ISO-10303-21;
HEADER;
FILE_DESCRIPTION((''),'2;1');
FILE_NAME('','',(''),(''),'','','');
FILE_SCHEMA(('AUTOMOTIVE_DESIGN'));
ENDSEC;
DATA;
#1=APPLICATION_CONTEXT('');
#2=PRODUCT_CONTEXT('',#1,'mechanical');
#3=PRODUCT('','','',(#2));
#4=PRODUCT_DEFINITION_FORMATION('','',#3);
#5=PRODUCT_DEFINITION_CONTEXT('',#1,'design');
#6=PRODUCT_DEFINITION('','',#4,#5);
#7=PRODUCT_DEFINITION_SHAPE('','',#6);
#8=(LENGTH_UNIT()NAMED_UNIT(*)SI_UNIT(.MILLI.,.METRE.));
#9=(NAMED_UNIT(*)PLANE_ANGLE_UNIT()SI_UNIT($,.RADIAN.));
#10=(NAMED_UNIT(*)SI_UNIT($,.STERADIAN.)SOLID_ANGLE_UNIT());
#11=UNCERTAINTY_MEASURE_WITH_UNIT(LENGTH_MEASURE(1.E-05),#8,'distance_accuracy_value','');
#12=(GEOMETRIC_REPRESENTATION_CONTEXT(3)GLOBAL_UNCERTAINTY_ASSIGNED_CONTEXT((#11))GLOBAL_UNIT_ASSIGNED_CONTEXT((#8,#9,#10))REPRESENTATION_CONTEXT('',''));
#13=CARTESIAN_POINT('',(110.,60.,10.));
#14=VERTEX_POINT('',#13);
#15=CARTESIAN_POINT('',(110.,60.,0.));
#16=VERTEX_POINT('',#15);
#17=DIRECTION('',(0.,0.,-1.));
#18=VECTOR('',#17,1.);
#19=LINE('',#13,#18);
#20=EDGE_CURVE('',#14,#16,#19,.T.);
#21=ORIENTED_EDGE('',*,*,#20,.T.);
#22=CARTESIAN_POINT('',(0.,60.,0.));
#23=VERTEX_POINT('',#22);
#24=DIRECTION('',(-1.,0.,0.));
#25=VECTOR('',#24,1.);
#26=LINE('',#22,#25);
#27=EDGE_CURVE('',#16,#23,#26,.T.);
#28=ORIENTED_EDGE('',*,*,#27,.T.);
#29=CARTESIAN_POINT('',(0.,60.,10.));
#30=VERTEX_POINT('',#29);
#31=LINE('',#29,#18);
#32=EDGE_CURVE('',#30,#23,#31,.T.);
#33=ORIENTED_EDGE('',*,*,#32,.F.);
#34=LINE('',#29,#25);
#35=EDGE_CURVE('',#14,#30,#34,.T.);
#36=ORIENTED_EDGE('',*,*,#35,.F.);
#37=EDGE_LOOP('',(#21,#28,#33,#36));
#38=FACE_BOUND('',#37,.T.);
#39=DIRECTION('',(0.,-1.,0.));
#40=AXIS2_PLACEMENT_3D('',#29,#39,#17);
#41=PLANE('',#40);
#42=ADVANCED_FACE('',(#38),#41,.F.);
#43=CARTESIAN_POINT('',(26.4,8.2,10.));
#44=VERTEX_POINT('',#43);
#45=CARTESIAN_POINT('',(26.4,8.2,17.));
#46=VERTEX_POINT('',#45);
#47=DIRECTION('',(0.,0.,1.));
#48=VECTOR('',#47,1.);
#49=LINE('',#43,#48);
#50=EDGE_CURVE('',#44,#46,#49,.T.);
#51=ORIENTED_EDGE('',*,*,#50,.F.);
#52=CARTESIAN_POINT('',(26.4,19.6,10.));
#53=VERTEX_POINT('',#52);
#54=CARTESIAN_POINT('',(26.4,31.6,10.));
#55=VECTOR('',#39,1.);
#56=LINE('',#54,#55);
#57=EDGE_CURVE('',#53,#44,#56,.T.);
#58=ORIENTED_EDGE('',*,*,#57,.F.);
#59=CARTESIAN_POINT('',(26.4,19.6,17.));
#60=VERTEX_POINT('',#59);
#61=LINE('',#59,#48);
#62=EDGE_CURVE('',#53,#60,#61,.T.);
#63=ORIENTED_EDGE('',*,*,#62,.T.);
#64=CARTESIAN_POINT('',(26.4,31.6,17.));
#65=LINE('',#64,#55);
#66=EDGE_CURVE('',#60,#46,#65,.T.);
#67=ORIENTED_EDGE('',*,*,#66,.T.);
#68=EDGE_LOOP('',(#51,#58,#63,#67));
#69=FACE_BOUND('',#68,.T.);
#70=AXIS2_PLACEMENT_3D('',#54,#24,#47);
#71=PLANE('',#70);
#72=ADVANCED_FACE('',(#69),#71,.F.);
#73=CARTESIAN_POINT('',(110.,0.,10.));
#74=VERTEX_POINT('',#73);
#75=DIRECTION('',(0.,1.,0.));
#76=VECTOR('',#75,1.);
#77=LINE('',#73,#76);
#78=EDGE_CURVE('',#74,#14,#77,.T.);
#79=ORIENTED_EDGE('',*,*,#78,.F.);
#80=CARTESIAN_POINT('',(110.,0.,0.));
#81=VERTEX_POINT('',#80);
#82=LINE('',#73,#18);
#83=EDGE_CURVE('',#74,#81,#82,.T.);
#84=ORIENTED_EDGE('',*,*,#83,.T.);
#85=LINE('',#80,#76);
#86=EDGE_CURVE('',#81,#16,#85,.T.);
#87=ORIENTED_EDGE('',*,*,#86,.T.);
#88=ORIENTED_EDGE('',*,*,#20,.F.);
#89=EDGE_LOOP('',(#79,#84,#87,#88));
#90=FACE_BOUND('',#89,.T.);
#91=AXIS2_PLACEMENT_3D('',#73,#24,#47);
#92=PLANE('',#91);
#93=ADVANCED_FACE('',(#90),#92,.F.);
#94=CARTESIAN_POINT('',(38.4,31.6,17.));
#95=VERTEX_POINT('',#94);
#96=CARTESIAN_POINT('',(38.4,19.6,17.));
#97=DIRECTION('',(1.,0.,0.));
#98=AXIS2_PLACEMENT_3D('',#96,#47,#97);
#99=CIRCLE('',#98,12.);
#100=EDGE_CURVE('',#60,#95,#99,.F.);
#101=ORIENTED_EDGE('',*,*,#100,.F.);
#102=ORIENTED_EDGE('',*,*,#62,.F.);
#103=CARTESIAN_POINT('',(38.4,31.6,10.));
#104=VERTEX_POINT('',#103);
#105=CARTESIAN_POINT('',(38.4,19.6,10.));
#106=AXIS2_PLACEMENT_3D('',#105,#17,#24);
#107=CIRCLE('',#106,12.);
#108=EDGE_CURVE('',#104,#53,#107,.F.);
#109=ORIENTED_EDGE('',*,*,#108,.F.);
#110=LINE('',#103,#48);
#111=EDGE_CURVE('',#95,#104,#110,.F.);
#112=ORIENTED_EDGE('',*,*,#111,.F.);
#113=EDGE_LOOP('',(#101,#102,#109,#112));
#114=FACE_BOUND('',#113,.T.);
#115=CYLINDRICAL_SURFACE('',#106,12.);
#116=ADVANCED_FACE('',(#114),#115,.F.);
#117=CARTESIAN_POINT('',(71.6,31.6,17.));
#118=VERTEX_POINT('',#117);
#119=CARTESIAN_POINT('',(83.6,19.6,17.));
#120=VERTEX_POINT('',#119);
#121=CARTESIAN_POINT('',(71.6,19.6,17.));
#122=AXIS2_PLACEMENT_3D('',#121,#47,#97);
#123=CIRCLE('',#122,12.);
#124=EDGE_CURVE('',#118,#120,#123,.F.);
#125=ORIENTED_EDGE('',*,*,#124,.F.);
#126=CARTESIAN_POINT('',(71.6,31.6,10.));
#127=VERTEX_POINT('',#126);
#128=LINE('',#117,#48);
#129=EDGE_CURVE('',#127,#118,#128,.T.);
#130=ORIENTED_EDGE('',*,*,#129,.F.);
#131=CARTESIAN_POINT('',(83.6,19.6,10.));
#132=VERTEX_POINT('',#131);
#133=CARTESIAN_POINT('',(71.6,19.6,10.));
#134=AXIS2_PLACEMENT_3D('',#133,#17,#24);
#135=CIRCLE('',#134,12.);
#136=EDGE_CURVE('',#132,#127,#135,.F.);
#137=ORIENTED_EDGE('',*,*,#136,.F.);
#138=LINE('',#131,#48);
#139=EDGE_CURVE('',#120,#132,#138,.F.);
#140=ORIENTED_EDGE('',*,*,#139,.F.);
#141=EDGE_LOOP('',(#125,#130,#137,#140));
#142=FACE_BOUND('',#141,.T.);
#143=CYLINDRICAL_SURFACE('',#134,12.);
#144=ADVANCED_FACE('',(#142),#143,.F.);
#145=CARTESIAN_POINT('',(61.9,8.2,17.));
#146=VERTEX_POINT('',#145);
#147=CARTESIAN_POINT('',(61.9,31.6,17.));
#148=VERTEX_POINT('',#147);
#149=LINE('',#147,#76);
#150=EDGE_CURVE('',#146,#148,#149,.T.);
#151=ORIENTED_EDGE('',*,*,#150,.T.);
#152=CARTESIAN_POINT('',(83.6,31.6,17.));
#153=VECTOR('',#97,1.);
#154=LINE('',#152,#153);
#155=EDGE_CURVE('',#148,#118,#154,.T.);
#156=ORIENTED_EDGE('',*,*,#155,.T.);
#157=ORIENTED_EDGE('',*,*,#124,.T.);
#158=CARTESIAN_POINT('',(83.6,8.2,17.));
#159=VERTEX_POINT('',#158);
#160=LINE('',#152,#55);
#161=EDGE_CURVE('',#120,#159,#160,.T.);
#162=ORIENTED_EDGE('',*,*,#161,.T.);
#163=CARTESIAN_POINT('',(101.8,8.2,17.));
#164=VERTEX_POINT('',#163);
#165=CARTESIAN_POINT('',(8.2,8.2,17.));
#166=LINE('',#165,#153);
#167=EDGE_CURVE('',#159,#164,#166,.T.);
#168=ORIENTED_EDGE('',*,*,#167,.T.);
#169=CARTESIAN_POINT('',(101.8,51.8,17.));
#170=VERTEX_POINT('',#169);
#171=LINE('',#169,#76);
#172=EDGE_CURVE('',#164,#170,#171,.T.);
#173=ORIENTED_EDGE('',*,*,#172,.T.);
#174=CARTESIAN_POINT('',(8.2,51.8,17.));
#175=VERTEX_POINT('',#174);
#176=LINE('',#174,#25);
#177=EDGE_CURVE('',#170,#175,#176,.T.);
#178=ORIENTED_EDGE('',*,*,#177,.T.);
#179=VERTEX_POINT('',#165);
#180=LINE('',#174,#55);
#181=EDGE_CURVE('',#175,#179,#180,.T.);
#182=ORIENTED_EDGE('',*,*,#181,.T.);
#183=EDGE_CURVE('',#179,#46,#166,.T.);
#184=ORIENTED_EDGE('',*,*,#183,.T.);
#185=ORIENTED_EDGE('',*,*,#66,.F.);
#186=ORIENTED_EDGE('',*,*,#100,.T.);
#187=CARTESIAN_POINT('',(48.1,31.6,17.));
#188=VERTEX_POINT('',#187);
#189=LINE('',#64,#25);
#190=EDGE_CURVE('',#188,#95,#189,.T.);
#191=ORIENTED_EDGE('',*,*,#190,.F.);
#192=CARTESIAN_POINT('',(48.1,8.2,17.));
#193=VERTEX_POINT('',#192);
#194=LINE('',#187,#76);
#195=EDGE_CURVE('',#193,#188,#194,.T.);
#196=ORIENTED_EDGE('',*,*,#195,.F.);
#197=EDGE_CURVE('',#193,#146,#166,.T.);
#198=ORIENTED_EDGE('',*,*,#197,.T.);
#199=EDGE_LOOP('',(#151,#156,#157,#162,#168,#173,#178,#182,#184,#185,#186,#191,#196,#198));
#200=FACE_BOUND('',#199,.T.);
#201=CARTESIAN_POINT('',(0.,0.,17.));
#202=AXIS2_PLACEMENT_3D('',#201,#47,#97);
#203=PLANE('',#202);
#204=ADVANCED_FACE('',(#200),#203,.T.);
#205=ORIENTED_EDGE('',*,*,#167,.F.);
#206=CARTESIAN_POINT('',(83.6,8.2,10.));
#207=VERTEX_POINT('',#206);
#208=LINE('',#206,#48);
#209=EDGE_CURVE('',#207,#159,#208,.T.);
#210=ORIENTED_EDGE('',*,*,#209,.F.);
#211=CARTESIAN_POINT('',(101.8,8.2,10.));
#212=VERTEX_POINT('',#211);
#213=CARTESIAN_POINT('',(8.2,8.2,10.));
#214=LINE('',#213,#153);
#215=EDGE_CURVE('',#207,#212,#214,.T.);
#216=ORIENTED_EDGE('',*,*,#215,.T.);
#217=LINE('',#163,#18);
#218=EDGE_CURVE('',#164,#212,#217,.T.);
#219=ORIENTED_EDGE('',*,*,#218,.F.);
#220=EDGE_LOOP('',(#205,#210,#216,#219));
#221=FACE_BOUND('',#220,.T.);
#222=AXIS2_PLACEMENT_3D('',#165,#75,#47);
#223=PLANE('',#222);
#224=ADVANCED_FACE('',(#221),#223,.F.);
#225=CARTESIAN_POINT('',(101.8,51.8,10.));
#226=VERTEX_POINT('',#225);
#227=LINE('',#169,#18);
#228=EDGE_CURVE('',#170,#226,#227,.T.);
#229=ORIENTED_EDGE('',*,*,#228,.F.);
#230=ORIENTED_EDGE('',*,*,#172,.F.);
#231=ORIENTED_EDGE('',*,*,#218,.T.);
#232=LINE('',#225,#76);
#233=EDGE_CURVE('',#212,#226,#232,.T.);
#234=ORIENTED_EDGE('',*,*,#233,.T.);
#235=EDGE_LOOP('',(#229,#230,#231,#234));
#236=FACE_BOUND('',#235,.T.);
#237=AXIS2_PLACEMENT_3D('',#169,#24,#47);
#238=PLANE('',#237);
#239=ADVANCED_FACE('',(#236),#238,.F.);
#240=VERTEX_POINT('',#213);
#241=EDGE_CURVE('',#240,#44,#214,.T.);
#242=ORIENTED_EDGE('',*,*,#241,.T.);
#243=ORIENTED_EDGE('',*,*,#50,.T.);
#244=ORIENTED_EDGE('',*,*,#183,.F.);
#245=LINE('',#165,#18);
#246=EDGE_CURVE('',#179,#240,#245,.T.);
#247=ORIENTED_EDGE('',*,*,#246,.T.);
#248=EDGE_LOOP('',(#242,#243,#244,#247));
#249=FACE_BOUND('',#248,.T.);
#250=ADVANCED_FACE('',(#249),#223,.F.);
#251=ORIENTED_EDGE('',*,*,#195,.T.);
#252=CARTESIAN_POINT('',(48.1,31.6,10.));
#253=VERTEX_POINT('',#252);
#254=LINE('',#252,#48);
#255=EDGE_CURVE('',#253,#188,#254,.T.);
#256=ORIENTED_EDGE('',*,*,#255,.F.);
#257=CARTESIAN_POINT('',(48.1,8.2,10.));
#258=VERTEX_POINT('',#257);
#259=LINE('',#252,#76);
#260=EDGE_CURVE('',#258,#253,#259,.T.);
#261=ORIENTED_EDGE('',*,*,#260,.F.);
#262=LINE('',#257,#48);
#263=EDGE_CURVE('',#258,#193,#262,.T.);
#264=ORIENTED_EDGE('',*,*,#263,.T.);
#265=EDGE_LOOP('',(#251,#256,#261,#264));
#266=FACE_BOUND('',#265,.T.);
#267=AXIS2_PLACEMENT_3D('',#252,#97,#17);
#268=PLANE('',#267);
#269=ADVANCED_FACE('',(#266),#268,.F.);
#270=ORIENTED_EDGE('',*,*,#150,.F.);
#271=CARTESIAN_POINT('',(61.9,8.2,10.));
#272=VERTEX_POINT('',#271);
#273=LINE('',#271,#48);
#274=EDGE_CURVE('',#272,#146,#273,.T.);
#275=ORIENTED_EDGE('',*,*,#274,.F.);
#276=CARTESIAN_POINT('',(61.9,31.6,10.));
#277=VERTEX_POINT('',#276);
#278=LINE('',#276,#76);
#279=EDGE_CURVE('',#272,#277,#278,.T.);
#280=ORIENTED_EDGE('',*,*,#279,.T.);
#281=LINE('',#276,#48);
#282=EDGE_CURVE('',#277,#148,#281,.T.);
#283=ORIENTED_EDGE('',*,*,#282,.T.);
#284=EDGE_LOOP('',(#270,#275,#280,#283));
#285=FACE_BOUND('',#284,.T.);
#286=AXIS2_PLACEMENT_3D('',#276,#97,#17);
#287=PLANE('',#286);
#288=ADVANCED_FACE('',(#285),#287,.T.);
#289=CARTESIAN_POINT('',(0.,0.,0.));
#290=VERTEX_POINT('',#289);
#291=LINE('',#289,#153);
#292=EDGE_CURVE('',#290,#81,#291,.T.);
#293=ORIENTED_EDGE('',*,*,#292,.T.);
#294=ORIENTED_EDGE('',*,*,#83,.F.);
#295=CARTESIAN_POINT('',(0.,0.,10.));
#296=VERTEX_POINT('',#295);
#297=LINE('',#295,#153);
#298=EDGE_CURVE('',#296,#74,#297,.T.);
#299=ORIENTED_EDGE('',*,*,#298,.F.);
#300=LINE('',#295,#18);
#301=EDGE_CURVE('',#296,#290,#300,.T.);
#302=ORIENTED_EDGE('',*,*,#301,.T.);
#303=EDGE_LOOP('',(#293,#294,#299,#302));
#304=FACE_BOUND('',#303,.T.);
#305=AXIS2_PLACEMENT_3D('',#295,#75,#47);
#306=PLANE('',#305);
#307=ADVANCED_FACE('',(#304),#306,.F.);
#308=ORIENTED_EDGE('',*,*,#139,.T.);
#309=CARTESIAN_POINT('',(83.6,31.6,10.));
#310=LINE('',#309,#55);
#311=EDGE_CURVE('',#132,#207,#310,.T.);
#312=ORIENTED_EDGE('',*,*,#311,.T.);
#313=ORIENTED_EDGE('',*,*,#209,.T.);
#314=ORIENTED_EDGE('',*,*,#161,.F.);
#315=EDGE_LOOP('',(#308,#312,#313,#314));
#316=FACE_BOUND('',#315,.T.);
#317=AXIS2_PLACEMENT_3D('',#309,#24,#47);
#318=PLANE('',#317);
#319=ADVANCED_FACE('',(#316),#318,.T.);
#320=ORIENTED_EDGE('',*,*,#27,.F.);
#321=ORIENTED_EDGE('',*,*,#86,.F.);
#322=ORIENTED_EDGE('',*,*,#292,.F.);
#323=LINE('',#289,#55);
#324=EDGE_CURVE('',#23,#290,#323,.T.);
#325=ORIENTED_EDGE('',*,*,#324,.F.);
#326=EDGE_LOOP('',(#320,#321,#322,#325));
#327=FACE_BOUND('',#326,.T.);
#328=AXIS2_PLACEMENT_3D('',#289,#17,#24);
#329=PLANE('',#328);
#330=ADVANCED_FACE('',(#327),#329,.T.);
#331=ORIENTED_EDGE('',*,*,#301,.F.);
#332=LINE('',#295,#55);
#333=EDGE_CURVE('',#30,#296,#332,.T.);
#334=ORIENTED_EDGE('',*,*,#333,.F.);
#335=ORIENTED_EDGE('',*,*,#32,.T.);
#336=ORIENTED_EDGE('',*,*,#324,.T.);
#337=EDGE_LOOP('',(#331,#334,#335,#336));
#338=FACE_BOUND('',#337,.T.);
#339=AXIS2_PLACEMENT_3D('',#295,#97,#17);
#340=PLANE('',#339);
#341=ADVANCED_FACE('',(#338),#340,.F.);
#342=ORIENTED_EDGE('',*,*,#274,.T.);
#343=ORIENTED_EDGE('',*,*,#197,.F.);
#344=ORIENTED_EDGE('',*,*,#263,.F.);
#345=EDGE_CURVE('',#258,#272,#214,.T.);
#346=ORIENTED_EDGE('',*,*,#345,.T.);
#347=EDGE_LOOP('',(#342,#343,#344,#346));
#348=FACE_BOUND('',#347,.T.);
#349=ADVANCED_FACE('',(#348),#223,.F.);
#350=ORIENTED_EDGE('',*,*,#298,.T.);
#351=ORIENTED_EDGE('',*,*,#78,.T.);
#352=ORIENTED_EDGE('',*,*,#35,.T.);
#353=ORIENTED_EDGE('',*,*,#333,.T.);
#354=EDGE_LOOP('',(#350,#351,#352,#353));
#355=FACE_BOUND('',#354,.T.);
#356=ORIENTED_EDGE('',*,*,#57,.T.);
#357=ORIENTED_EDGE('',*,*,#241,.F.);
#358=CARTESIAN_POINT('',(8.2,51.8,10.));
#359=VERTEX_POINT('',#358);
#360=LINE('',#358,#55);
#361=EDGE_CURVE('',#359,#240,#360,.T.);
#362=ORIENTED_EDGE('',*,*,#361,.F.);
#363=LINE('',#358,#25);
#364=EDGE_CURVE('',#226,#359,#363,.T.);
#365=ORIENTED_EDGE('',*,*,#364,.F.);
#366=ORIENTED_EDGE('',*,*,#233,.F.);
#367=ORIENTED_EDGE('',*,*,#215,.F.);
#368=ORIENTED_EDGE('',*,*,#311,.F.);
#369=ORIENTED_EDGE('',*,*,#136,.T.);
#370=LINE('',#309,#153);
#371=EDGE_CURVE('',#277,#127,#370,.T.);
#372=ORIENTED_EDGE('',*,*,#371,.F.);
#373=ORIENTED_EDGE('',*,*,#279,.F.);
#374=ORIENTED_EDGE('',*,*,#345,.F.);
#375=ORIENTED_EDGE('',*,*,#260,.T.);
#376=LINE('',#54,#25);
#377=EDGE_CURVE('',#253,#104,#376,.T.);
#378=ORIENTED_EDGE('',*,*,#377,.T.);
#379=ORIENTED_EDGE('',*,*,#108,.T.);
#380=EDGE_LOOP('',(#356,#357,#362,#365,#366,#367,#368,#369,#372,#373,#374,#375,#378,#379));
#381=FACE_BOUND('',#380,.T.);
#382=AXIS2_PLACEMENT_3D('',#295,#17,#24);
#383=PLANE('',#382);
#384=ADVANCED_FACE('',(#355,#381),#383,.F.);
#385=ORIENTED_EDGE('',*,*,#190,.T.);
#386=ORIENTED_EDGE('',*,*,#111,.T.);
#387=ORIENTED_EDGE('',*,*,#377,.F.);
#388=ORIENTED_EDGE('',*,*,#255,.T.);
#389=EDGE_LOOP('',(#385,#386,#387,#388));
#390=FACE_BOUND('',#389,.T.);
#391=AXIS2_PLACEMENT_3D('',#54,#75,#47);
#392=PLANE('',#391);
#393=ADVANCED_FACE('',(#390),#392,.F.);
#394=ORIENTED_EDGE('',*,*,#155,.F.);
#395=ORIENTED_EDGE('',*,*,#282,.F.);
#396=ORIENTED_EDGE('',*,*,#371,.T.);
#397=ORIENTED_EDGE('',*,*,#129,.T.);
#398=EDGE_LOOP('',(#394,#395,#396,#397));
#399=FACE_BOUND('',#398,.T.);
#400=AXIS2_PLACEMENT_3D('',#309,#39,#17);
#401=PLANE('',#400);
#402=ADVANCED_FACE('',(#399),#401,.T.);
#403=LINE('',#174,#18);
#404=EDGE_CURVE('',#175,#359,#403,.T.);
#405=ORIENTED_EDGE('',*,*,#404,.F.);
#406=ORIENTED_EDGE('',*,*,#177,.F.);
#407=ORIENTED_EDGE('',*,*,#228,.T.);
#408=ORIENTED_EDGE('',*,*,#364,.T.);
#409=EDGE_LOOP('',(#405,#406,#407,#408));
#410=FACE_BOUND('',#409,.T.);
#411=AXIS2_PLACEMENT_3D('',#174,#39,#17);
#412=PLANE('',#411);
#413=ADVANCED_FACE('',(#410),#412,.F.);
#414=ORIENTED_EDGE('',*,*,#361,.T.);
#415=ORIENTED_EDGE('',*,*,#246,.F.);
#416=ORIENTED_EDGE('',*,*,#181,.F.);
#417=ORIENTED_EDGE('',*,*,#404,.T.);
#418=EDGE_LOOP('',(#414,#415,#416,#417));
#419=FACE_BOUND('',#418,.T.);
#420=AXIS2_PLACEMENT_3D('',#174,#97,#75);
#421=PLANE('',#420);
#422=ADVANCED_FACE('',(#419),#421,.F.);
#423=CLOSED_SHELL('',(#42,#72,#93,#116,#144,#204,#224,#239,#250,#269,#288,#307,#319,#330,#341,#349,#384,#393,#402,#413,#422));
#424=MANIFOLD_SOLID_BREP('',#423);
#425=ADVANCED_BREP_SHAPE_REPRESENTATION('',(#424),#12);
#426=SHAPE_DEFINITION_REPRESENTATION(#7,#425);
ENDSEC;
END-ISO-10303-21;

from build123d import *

# Parameters (mm, degrees)
SKETCH1_W            = 110
SKETCH1_H            = 60
BOSS_EXTRUDE1_DEPTH  = 10
SKETCH2_W            = 93.6
SKETCH2_H            = 43.6
BOSS_EXTRUDE3_DEPTH  = 7
SKETCH3_W            = 21.7
SKETCH3_H            = 23.4
CUT_EXTRUDE1_DEPTH   = 7
FILLET1_R            = 12
FILLET1_OF_MIRROR1_R = 12


with BuildPart() as part:
    # Sketch1 → Boss-Extrude1 (new body)
    with BuildSketch(Plane.XY):
        with Locations((55, 30)):
            Rectangle(SKETCH1_W, SKETCH1_H)
    extrude(amount=BOSS_EXTRUDE1_DEPTH)

    # Sketch2 → Boss-Extrude3 (add)
    with BuildSketch(Plane.XY.offset(10)):
        with Locations((55, 30)):
            Rectangle(SKETCH2_W, SKETCH2_H)
    extrude(amount=BOSS_EXTRUDE3_DEPTH)

    # Sketch3 → Cut-Extrude1 (cut)
    with BuildSketch(Plane.XY.offset(17)):
        with Locations((37.25, 19.9)):
            Rectangle(SKETCH3_W, SKETCH3_H)
    cut_extrude1 = extrude(amount=-CUT_EXTRUDE1_DEPTH, mode=Mode.SUBTRACT)

    # Fillet1
    fillet1_edges = [part.edges().sort_by_distance(p)[0] for p in [
        (26.4, 31.6, 13.5),
    ]]
    fillet(fillet1_edges, radius=FILLET1_R)

    # Mirror1: Cut-Extrude1 across plane
    add(cut_extrude1.mirror(Plane(origin=(55, 0, 0), x_dir=(0, 0, 1), z_dir=(1, 0, 0))), mode=Mode.SUBTRACT)

    # Fillet1 of Mirror1
    fillet1_of_mirror1_edges = [part.edges().sort_by_distance(p)[0] for p in [
        (83.6, 31.6, 13.5),
    ]]
    fillet(fillet1_of_mirror1_edges, radius=FILLET1_OF_MIRROR1_R)


solid = part.part
